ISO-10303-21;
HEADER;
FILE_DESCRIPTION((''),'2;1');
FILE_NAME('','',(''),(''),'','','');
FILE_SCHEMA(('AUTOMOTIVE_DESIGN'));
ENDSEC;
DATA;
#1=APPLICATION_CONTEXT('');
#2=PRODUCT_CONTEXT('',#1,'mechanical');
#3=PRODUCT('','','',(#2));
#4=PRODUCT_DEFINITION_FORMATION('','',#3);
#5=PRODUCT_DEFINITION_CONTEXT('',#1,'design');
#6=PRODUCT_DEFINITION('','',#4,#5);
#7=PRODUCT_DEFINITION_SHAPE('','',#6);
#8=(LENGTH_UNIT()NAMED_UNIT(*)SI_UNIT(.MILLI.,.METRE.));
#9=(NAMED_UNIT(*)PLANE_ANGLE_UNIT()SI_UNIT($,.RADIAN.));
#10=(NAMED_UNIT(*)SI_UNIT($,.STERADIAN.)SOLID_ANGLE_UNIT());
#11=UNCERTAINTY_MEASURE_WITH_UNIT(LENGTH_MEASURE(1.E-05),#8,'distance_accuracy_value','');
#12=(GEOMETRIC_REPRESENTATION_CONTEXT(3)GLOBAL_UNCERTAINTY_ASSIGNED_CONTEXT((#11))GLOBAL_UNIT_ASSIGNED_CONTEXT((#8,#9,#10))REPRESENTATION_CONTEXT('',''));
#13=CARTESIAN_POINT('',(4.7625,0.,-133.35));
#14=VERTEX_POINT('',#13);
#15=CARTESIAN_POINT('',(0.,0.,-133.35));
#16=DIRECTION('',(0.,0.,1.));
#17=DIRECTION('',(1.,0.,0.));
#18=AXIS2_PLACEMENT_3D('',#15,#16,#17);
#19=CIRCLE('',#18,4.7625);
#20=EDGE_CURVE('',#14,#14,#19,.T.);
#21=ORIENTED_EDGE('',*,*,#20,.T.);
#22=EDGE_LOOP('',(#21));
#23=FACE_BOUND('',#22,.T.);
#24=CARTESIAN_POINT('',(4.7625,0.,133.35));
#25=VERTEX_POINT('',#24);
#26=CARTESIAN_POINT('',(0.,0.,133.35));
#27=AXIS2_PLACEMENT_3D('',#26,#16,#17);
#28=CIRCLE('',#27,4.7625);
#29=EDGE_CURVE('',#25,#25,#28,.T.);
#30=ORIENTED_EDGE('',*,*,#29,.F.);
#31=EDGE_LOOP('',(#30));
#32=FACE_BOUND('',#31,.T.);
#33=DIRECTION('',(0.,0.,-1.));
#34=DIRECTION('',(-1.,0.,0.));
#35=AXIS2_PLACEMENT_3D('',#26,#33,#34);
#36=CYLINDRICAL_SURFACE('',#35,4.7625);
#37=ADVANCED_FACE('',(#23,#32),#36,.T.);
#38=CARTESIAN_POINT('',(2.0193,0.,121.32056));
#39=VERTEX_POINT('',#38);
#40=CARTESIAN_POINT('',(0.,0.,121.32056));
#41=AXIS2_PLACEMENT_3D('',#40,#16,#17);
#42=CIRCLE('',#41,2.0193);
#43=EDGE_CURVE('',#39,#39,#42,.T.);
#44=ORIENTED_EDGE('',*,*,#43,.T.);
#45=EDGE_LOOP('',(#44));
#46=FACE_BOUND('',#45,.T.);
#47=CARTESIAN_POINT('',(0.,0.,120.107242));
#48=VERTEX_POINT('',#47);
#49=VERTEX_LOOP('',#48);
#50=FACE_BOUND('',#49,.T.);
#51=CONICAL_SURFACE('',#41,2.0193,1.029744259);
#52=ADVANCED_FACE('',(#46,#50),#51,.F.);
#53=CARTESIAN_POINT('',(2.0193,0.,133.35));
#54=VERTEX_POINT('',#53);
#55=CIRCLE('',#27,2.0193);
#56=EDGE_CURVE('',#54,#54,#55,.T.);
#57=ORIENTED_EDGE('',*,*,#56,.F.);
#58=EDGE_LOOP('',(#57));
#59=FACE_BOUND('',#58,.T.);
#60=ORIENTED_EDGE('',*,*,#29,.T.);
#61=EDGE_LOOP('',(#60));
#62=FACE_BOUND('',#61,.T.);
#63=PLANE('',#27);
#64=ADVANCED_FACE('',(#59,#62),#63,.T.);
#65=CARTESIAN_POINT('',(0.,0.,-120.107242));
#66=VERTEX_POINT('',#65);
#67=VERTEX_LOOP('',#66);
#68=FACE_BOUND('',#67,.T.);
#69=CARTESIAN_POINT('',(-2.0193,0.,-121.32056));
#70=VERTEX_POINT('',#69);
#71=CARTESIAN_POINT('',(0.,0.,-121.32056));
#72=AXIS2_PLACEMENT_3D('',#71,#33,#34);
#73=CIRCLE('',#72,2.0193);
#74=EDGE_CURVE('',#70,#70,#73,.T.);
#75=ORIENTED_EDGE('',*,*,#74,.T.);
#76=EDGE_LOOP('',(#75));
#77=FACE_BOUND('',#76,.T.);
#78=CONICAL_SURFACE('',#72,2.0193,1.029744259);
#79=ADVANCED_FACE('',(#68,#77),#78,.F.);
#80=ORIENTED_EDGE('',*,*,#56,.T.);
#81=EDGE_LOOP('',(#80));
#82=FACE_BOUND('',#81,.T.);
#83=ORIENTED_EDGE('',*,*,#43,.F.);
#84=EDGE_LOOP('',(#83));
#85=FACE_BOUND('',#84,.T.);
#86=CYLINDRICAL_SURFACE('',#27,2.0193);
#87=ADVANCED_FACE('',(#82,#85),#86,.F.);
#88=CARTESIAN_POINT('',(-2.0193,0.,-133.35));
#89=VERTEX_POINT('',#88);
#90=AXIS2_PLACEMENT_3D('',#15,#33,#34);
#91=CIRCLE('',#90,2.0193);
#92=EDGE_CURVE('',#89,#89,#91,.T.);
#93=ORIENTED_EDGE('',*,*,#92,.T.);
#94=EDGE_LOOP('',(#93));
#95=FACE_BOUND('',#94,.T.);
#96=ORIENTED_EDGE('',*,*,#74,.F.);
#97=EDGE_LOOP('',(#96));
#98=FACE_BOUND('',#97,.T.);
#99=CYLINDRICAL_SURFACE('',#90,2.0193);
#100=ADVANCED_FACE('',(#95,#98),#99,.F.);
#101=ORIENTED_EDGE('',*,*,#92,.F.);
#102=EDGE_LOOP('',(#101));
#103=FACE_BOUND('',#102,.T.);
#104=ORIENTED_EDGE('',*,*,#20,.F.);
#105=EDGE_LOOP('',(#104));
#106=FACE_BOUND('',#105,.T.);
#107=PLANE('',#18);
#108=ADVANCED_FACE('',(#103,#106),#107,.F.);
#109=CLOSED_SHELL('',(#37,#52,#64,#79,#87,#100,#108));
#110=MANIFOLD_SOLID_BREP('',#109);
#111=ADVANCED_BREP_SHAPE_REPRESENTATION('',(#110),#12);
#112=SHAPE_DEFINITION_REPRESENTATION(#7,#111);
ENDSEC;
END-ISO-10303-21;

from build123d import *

# Parameters (mm, degrees)
SKETCH1_R                            = 4.7625
BOSS_EXTRUDE1_DEPTH                  = 133.35
F_10_32_TAPPED_HOLE1_D               = 4.0386
F_10_32_TAPPED_HOLE1_DEPTH           = 12.02944
F_10_32_TAPPED_HOLE1_TIP             = 1.213317848
F_10_32_TAPPED_HOLE1_ON_FACE_2_D     = 4.0386
F_10_32_TAPPED_HOLE1_ON_FACE_2_DEPTH = 12.02944
F_10_32_TAPPED_HOLE1_ON_FACE_2_TIP   = 1.213317848


with BuildPart() as part:
    # Sketch1 → Boss-Extrude1 (new, symmetric)
    with BuildSketch(Plane.XY):
        Circle(SKETCH1_R)
    extrude(amount=BOSS_EXTRUDE1_DEPTH, both=True)

    # #10-32 Tapped Hole1
    with Locations(Plane.XY.offset(133.35)):
        with Locations((0, 0)):
            Hole(F_10_32_TAPPED_HOLE1_D / 2, depth=F_10_32_TAPPED_HOLE1_DEPTH)
            with Locations((0, 0, -(F_10_32_TAPPED_HOLE1_DEPTH + F_10_32_TAPPED_HOLE1_TIP / 2))):  # 118° drill point
                Cone(0, F_10_32_TAPPED_HOLE1_D / 2, F_10_32_TAPPED_HOLE1_TIP, mode=Mode.SUBTRACT)

    # #10-32 Tapped Hole1 on face 2
    with Locations(Plane(origin=(0, 0, -133.35), x_dir=(-1, 0, 0), z_dir=(0, 0, -1))):
        with Locations((0, 0)):
            Hole(F_10_32_TAPPED_HOLE1_ON_FACE_2_D / 2, depth=F_10_32_TAPPED_HOLE1_ON_FACE_2_DEPTH)
            with Locations((0, 0, -(F_10_32_TAPPED_HOLE1_ON_FACE_2_DEPTH + F_10_32_TAPPED_HOLE1_ON_FACE_2_TIP / 2))):  # 118° drill point
                Cone(0, F_10_32_TAPPED_HOLE1_ON_FACE_2_D / 2, F_10_32_TAPPED_HOLE1_ON_FACE_2_TIP, mode=Mode.SUBTRACT)


solid = part.part
